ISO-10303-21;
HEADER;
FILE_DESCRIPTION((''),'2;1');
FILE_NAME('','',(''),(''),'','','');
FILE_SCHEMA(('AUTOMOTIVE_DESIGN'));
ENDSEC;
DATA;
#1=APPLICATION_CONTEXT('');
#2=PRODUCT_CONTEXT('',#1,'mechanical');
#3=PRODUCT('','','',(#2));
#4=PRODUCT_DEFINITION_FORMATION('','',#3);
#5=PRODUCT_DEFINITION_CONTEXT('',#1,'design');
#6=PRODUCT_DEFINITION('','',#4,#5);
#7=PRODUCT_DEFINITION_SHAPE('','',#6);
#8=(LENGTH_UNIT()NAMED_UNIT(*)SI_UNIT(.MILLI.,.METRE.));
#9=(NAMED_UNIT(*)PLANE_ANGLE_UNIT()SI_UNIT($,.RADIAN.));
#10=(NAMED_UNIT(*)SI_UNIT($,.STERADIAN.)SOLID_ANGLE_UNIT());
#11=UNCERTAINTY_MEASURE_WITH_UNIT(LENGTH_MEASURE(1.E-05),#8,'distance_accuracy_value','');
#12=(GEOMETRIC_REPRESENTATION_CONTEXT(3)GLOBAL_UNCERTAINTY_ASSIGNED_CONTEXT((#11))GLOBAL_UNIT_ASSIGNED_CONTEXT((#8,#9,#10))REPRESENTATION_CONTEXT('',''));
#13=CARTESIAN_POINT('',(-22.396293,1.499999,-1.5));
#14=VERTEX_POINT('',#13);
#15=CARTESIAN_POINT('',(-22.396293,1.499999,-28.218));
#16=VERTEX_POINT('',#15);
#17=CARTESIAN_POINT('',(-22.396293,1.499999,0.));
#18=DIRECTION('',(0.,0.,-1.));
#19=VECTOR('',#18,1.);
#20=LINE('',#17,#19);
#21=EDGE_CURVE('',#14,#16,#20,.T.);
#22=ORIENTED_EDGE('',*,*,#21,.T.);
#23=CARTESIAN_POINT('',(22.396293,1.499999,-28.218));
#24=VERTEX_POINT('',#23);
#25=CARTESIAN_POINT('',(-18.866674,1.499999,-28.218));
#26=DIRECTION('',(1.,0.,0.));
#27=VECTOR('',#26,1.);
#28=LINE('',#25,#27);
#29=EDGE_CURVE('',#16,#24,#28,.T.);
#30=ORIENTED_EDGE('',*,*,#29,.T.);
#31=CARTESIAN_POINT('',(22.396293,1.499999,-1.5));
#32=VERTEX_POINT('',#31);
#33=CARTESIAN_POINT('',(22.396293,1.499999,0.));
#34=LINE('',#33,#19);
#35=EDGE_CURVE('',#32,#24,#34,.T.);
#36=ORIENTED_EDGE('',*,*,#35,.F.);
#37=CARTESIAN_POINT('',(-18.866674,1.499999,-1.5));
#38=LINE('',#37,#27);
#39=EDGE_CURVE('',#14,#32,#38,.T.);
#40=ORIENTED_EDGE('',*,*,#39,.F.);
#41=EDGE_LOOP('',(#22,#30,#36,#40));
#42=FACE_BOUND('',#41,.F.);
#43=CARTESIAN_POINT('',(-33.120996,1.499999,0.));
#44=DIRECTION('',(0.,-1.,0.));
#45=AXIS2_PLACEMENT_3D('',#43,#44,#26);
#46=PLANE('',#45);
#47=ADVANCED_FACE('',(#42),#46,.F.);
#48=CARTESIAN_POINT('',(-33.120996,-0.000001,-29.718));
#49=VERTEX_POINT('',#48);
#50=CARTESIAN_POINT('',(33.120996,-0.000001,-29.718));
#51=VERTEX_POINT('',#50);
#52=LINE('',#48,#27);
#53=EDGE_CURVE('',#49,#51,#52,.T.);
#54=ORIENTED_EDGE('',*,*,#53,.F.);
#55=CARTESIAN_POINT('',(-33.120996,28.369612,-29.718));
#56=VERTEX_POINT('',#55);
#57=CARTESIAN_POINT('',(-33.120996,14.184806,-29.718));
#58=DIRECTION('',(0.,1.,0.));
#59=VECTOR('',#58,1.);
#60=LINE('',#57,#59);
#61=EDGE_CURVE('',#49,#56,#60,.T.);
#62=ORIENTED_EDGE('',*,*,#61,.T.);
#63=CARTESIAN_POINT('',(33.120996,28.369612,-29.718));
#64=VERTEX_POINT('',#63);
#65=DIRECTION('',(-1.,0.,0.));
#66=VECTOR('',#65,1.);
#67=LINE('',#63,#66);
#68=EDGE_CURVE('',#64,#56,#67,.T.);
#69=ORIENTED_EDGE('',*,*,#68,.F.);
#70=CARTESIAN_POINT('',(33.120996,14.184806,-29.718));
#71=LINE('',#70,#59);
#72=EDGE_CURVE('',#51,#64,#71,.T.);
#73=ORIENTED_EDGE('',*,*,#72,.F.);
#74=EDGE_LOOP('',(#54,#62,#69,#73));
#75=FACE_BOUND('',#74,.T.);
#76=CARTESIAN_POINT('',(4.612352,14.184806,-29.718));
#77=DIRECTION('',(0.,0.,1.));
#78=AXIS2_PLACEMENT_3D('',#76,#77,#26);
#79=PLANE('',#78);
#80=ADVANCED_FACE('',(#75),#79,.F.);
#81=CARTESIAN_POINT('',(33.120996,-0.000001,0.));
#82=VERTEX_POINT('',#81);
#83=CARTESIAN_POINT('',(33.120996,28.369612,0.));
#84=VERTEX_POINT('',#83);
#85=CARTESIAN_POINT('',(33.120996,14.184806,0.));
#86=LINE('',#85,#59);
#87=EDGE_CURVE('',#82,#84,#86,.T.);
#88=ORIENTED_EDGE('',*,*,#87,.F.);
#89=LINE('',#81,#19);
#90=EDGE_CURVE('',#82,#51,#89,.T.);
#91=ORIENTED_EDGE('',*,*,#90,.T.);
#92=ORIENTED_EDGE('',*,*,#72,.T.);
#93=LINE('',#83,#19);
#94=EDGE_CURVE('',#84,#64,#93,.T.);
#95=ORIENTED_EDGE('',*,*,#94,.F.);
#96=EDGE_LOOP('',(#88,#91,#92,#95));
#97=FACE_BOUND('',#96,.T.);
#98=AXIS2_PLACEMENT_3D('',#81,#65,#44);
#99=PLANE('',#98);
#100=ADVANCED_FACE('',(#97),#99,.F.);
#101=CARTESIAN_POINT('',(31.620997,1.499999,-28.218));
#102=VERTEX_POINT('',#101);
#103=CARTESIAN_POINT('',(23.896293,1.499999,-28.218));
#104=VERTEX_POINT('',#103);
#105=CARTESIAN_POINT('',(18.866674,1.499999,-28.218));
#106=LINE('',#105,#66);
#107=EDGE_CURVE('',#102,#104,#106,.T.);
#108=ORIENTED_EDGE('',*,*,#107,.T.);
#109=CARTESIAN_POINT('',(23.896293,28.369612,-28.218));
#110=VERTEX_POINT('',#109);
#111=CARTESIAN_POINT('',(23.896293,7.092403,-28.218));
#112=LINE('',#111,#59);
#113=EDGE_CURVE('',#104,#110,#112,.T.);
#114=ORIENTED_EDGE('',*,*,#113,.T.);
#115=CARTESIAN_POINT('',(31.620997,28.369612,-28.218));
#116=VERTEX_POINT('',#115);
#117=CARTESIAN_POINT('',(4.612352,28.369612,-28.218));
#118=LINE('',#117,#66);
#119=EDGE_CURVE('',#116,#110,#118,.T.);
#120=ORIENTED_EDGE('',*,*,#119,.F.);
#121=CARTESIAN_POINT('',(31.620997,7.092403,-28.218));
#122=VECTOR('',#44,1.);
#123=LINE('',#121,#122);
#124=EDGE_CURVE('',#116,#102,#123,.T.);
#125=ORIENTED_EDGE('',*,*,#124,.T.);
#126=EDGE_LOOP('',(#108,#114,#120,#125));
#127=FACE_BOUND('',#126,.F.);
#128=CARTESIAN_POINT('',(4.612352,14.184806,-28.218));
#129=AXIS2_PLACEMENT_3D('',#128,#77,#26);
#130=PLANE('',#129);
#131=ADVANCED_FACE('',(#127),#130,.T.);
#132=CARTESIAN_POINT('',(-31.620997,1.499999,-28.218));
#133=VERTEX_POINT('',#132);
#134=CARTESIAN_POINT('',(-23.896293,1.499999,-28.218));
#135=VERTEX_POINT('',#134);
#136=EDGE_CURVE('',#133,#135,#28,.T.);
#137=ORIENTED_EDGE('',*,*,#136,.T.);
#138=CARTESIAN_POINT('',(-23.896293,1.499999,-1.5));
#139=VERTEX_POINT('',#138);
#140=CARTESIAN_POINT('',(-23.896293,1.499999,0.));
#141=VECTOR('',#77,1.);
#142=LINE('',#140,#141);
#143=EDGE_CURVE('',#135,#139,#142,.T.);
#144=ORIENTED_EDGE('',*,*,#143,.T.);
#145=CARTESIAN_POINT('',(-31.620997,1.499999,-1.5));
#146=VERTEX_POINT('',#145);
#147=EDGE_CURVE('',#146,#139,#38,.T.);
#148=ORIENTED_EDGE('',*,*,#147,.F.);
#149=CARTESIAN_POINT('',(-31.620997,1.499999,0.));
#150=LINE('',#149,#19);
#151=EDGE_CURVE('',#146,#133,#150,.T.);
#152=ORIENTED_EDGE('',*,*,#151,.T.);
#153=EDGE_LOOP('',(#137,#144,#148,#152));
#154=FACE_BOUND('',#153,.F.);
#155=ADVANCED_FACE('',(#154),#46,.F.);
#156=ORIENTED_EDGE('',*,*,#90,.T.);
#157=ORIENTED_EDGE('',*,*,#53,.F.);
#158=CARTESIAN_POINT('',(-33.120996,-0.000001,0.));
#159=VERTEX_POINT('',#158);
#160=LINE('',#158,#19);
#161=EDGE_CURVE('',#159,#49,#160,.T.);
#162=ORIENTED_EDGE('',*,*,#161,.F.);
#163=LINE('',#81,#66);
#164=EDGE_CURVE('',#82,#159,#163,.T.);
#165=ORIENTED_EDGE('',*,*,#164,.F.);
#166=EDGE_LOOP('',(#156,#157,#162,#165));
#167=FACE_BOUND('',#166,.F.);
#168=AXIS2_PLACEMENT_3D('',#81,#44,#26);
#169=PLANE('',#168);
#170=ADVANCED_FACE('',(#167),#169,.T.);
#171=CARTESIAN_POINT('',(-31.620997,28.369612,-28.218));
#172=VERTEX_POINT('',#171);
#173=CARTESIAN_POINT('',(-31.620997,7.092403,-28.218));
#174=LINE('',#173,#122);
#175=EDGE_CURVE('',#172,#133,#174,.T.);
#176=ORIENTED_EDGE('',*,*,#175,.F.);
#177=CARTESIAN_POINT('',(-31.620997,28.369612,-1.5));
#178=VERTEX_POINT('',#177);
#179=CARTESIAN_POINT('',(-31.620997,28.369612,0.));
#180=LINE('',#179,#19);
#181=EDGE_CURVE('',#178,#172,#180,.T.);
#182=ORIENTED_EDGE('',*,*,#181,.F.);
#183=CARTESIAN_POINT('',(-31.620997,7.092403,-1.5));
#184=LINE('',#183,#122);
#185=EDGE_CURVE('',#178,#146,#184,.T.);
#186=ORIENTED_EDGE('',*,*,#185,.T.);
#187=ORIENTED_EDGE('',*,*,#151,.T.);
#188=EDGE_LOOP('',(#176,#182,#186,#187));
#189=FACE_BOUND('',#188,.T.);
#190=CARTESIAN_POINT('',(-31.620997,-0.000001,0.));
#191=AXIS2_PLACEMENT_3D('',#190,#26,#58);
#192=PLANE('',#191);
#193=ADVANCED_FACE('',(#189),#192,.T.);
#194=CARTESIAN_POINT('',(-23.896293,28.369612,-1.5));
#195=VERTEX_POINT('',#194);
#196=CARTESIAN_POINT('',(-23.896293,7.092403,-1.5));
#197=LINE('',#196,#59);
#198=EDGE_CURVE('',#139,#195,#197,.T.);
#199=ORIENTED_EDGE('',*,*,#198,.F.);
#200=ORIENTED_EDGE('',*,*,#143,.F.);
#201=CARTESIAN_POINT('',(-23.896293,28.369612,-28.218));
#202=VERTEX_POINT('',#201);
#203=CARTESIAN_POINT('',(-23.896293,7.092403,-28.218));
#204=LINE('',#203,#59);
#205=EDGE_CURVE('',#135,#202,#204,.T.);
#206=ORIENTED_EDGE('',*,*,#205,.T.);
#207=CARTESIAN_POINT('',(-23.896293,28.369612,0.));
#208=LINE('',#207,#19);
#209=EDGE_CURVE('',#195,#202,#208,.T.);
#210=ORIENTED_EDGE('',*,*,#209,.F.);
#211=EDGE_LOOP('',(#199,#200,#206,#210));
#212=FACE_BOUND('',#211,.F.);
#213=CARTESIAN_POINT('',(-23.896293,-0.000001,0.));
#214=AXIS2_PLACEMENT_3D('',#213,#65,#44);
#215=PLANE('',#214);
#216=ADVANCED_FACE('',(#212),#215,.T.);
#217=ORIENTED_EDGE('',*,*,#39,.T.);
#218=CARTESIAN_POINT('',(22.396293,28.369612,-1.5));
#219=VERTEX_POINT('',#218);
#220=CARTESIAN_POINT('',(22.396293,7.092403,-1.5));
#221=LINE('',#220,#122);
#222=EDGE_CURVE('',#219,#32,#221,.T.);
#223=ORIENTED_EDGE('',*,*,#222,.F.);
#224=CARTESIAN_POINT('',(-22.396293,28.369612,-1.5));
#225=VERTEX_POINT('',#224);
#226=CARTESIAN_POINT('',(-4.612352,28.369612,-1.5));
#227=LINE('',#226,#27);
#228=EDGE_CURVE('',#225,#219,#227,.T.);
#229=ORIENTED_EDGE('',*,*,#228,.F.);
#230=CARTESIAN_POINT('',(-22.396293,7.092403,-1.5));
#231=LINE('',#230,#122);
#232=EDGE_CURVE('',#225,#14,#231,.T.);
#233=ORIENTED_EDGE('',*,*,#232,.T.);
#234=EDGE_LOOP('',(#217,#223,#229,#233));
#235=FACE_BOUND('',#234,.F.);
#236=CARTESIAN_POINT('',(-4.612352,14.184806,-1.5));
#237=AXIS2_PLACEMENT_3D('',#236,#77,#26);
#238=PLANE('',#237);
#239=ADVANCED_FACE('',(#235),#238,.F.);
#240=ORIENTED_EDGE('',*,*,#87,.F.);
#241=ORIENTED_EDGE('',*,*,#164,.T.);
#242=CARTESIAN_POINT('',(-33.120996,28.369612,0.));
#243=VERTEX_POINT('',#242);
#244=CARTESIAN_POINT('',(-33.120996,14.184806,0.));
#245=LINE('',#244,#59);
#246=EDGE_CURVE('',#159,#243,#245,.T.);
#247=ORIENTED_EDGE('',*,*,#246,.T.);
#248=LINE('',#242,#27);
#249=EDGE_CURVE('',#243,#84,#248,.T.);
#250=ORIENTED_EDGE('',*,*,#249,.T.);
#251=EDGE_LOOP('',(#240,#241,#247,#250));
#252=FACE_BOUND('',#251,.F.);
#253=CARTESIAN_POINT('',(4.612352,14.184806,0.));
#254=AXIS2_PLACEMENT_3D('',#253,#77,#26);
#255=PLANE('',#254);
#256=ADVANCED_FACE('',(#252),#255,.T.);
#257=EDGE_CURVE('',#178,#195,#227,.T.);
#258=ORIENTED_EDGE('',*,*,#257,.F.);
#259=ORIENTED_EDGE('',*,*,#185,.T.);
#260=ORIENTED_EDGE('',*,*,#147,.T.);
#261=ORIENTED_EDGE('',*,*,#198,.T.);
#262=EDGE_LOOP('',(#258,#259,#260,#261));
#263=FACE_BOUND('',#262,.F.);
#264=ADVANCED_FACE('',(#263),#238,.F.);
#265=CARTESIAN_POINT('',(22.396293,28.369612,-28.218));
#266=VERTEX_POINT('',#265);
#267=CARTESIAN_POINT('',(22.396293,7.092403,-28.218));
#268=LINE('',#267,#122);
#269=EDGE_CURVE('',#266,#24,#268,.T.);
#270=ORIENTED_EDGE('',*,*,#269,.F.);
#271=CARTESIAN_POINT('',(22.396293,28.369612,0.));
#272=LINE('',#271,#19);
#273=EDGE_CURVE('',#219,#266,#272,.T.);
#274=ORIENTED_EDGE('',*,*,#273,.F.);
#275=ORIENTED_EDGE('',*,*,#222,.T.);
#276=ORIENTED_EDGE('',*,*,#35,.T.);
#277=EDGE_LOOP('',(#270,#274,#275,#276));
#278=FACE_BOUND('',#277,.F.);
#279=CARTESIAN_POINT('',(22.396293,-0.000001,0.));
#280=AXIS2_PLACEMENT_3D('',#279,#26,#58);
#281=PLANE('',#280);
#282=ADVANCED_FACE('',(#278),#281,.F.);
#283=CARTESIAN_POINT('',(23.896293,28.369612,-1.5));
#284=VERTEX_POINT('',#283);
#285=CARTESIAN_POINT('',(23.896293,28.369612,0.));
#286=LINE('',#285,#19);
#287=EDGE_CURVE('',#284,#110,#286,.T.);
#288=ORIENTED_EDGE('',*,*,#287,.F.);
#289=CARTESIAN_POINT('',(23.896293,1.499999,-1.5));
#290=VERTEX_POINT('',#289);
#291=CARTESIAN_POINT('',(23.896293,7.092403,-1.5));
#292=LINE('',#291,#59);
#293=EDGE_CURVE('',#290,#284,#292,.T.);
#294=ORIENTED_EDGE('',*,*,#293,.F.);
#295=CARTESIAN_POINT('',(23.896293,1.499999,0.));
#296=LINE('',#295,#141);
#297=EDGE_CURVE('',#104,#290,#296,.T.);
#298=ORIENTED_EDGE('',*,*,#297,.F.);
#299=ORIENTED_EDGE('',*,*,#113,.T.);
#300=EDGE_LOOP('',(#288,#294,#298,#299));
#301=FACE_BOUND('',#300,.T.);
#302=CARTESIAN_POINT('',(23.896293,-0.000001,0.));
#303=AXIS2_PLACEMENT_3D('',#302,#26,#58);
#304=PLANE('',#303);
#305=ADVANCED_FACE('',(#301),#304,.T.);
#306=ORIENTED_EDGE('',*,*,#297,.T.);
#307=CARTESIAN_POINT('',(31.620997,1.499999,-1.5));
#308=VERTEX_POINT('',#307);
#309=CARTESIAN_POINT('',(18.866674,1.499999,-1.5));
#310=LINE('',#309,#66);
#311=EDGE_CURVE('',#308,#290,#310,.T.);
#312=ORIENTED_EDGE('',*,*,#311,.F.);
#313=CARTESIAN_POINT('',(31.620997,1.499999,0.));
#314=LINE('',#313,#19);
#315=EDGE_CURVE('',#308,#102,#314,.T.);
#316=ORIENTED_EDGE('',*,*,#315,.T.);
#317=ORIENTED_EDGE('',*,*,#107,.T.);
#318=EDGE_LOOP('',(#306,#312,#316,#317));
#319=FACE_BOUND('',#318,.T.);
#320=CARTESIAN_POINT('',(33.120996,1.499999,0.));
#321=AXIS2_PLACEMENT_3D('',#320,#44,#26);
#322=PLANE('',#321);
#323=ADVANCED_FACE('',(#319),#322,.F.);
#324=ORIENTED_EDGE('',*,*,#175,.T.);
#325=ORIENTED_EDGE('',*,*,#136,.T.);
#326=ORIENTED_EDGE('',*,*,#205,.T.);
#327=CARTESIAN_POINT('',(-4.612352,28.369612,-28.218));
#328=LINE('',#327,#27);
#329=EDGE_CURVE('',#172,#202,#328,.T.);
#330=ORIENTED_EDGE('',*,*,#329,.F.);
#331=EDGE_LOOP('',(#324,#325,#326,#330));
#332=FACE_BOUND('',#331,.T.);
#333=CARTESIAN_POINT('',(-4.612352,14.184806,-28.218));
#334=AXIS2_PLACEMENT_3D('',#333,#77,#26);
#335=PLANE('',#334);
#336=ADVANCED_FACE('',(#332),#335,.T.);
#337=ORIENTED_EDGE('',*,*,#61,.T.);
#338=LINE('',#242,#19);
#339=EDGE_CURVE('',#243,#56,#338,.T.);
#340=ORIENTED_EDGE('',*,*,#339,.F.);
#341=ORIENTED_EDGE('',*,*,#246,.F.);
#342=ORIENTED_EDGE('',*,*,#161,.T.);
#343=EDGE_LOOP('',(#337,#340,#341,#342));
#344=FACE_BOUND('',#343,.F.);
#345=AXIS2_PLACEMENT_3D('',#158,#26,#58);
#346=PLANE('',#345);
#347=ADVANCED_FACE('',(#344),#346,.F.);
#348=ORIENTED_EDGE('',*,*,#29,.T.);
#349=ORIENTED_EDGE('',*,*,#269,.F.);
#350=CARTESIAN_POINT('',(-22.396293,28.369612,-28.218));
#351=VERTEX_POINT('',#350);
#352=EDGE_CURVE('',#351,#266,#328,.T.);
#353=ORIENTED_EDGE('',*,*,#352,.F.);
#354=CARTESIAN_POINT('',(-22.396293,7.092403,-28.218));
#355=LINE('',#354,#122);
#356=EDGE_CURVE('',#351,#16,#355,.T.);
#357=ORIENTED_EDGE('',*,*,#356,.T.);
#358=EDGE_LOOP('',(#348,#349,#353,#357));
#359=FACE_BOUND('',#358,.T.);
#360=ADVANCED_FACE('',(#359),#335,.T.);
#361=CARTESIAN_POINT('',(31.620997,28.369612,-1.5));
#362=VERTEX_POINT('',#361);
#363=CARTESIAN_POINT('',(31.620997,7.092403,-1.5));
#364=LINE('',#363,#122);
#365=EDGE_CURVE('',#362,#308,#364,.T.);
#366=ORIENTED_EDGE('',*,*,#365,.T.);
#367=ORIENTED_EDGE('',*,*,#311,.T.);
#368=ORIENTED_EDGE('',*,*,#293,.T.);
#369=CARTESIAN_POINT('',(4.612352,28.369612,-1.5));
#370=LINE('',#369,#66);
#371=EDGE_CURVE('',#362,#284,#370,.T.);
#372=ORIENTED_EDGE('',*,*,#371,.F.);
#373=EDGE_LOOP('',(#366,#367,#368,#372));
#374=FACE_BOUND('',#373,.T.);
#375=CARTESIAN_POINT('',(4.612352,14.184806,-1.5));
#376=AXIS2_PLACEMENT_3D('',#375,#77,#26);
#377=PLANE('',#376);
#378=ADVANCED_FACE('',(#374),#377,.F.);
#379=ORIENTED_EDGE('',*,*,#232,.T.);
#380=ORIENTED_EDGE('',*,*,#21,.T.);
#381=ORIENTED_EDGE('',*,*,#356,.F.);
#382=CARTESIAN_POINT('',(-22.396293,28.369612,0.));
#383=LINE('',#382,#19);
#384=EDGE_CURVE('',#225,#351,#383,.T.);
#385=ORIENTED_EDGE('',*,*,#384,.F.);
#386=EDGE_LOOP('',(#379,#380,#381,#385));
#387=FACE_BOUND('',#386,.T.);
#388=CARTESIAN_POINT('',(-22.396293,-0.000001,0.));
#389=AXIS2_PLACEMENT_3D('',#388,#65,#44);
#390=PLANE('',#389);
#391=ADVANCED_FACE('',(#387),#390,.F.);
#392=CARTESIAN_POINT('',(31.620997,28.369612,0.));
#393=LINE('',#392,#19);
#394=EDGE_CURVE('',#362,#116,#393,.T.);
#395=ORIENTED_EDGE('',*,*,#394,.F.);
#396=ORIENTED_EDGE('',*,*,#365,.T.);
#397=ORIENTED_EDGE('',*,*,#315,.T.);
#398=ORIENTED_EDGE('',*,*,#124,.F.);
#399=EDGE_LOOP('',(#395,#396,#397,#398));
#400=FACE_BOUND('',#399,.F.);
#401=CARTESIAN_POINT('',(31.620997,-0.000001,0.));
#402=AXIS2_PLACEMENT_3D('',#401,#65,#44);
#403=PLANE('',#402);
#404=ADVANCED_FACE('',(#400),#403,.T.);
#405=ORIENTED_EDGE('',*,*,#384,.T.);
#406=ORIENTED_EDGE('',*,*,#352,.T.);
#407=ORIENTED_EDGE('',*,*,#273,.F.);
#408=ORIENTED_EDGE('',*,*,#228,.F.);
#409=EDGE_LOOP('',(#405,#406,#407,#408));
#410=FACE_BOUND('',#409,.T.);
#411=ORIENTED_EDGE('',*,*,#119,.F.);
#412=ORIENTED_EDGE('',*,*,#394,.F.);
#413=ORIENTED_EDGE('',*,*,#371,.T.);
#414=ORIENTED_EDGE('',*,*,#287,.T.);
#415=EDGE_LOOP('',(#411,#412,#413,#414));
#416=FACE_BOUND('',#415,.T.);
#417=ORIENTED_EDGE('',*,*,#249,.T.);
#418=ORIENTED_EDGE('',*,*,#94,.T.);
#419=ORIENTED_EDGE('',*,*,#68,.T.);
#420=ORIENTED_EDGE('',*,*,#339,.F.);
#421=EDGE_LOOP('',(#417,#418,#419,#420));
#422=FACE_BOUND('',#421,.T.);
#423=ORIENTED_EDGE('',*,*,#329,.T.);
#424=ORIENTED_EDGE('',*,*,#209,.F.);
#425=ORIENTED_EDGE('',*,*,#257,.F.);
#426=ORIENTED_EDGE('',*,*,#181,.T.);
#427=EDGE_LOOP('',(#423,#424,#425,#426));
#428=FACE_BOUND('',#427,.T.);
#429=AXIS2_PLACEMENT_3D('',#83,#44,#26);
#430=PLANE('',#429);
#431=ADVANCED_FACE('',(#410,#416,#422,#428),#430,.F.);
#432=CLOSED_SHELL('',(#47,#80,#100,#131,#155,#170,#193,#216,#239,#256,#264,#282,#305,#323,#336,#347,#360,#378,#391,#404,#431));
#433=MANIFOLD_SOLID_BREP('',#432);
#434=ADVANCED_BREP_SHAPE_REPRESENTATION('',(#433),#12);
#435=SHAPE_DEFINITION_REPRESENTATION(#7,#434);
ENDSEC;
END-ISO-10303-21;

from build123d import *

# Parameters (mm, degrees)
F0_W     = 57.017289
F0_H     = 28.369613
F1_DEPTH = 29.718
F2_T     = -1.5


with BuildPart() as f1:
    # F0 (on Top) → F1 (new body)
    with BuildSketch(Plane.XY):
        with Locations((-4.612352, 14.184806)):
            Rectangle(F0_W, F0_H)
    extrude(amount=-F1_DEPTH)

    # F2
    f2_openings = [f1.faces().sort_by_distance(p)[0] for p in [
        (-4.612353, 28.369613, -14.859),
    ]]
    offset(amount=F2_T, openings=f2_openings)

    # F3: F1 across plane


with BuildPart() as f1_1:
    add(f1.part)
    add(f1.part.mirror(Plane.YZ))


solid = f1_1.part
